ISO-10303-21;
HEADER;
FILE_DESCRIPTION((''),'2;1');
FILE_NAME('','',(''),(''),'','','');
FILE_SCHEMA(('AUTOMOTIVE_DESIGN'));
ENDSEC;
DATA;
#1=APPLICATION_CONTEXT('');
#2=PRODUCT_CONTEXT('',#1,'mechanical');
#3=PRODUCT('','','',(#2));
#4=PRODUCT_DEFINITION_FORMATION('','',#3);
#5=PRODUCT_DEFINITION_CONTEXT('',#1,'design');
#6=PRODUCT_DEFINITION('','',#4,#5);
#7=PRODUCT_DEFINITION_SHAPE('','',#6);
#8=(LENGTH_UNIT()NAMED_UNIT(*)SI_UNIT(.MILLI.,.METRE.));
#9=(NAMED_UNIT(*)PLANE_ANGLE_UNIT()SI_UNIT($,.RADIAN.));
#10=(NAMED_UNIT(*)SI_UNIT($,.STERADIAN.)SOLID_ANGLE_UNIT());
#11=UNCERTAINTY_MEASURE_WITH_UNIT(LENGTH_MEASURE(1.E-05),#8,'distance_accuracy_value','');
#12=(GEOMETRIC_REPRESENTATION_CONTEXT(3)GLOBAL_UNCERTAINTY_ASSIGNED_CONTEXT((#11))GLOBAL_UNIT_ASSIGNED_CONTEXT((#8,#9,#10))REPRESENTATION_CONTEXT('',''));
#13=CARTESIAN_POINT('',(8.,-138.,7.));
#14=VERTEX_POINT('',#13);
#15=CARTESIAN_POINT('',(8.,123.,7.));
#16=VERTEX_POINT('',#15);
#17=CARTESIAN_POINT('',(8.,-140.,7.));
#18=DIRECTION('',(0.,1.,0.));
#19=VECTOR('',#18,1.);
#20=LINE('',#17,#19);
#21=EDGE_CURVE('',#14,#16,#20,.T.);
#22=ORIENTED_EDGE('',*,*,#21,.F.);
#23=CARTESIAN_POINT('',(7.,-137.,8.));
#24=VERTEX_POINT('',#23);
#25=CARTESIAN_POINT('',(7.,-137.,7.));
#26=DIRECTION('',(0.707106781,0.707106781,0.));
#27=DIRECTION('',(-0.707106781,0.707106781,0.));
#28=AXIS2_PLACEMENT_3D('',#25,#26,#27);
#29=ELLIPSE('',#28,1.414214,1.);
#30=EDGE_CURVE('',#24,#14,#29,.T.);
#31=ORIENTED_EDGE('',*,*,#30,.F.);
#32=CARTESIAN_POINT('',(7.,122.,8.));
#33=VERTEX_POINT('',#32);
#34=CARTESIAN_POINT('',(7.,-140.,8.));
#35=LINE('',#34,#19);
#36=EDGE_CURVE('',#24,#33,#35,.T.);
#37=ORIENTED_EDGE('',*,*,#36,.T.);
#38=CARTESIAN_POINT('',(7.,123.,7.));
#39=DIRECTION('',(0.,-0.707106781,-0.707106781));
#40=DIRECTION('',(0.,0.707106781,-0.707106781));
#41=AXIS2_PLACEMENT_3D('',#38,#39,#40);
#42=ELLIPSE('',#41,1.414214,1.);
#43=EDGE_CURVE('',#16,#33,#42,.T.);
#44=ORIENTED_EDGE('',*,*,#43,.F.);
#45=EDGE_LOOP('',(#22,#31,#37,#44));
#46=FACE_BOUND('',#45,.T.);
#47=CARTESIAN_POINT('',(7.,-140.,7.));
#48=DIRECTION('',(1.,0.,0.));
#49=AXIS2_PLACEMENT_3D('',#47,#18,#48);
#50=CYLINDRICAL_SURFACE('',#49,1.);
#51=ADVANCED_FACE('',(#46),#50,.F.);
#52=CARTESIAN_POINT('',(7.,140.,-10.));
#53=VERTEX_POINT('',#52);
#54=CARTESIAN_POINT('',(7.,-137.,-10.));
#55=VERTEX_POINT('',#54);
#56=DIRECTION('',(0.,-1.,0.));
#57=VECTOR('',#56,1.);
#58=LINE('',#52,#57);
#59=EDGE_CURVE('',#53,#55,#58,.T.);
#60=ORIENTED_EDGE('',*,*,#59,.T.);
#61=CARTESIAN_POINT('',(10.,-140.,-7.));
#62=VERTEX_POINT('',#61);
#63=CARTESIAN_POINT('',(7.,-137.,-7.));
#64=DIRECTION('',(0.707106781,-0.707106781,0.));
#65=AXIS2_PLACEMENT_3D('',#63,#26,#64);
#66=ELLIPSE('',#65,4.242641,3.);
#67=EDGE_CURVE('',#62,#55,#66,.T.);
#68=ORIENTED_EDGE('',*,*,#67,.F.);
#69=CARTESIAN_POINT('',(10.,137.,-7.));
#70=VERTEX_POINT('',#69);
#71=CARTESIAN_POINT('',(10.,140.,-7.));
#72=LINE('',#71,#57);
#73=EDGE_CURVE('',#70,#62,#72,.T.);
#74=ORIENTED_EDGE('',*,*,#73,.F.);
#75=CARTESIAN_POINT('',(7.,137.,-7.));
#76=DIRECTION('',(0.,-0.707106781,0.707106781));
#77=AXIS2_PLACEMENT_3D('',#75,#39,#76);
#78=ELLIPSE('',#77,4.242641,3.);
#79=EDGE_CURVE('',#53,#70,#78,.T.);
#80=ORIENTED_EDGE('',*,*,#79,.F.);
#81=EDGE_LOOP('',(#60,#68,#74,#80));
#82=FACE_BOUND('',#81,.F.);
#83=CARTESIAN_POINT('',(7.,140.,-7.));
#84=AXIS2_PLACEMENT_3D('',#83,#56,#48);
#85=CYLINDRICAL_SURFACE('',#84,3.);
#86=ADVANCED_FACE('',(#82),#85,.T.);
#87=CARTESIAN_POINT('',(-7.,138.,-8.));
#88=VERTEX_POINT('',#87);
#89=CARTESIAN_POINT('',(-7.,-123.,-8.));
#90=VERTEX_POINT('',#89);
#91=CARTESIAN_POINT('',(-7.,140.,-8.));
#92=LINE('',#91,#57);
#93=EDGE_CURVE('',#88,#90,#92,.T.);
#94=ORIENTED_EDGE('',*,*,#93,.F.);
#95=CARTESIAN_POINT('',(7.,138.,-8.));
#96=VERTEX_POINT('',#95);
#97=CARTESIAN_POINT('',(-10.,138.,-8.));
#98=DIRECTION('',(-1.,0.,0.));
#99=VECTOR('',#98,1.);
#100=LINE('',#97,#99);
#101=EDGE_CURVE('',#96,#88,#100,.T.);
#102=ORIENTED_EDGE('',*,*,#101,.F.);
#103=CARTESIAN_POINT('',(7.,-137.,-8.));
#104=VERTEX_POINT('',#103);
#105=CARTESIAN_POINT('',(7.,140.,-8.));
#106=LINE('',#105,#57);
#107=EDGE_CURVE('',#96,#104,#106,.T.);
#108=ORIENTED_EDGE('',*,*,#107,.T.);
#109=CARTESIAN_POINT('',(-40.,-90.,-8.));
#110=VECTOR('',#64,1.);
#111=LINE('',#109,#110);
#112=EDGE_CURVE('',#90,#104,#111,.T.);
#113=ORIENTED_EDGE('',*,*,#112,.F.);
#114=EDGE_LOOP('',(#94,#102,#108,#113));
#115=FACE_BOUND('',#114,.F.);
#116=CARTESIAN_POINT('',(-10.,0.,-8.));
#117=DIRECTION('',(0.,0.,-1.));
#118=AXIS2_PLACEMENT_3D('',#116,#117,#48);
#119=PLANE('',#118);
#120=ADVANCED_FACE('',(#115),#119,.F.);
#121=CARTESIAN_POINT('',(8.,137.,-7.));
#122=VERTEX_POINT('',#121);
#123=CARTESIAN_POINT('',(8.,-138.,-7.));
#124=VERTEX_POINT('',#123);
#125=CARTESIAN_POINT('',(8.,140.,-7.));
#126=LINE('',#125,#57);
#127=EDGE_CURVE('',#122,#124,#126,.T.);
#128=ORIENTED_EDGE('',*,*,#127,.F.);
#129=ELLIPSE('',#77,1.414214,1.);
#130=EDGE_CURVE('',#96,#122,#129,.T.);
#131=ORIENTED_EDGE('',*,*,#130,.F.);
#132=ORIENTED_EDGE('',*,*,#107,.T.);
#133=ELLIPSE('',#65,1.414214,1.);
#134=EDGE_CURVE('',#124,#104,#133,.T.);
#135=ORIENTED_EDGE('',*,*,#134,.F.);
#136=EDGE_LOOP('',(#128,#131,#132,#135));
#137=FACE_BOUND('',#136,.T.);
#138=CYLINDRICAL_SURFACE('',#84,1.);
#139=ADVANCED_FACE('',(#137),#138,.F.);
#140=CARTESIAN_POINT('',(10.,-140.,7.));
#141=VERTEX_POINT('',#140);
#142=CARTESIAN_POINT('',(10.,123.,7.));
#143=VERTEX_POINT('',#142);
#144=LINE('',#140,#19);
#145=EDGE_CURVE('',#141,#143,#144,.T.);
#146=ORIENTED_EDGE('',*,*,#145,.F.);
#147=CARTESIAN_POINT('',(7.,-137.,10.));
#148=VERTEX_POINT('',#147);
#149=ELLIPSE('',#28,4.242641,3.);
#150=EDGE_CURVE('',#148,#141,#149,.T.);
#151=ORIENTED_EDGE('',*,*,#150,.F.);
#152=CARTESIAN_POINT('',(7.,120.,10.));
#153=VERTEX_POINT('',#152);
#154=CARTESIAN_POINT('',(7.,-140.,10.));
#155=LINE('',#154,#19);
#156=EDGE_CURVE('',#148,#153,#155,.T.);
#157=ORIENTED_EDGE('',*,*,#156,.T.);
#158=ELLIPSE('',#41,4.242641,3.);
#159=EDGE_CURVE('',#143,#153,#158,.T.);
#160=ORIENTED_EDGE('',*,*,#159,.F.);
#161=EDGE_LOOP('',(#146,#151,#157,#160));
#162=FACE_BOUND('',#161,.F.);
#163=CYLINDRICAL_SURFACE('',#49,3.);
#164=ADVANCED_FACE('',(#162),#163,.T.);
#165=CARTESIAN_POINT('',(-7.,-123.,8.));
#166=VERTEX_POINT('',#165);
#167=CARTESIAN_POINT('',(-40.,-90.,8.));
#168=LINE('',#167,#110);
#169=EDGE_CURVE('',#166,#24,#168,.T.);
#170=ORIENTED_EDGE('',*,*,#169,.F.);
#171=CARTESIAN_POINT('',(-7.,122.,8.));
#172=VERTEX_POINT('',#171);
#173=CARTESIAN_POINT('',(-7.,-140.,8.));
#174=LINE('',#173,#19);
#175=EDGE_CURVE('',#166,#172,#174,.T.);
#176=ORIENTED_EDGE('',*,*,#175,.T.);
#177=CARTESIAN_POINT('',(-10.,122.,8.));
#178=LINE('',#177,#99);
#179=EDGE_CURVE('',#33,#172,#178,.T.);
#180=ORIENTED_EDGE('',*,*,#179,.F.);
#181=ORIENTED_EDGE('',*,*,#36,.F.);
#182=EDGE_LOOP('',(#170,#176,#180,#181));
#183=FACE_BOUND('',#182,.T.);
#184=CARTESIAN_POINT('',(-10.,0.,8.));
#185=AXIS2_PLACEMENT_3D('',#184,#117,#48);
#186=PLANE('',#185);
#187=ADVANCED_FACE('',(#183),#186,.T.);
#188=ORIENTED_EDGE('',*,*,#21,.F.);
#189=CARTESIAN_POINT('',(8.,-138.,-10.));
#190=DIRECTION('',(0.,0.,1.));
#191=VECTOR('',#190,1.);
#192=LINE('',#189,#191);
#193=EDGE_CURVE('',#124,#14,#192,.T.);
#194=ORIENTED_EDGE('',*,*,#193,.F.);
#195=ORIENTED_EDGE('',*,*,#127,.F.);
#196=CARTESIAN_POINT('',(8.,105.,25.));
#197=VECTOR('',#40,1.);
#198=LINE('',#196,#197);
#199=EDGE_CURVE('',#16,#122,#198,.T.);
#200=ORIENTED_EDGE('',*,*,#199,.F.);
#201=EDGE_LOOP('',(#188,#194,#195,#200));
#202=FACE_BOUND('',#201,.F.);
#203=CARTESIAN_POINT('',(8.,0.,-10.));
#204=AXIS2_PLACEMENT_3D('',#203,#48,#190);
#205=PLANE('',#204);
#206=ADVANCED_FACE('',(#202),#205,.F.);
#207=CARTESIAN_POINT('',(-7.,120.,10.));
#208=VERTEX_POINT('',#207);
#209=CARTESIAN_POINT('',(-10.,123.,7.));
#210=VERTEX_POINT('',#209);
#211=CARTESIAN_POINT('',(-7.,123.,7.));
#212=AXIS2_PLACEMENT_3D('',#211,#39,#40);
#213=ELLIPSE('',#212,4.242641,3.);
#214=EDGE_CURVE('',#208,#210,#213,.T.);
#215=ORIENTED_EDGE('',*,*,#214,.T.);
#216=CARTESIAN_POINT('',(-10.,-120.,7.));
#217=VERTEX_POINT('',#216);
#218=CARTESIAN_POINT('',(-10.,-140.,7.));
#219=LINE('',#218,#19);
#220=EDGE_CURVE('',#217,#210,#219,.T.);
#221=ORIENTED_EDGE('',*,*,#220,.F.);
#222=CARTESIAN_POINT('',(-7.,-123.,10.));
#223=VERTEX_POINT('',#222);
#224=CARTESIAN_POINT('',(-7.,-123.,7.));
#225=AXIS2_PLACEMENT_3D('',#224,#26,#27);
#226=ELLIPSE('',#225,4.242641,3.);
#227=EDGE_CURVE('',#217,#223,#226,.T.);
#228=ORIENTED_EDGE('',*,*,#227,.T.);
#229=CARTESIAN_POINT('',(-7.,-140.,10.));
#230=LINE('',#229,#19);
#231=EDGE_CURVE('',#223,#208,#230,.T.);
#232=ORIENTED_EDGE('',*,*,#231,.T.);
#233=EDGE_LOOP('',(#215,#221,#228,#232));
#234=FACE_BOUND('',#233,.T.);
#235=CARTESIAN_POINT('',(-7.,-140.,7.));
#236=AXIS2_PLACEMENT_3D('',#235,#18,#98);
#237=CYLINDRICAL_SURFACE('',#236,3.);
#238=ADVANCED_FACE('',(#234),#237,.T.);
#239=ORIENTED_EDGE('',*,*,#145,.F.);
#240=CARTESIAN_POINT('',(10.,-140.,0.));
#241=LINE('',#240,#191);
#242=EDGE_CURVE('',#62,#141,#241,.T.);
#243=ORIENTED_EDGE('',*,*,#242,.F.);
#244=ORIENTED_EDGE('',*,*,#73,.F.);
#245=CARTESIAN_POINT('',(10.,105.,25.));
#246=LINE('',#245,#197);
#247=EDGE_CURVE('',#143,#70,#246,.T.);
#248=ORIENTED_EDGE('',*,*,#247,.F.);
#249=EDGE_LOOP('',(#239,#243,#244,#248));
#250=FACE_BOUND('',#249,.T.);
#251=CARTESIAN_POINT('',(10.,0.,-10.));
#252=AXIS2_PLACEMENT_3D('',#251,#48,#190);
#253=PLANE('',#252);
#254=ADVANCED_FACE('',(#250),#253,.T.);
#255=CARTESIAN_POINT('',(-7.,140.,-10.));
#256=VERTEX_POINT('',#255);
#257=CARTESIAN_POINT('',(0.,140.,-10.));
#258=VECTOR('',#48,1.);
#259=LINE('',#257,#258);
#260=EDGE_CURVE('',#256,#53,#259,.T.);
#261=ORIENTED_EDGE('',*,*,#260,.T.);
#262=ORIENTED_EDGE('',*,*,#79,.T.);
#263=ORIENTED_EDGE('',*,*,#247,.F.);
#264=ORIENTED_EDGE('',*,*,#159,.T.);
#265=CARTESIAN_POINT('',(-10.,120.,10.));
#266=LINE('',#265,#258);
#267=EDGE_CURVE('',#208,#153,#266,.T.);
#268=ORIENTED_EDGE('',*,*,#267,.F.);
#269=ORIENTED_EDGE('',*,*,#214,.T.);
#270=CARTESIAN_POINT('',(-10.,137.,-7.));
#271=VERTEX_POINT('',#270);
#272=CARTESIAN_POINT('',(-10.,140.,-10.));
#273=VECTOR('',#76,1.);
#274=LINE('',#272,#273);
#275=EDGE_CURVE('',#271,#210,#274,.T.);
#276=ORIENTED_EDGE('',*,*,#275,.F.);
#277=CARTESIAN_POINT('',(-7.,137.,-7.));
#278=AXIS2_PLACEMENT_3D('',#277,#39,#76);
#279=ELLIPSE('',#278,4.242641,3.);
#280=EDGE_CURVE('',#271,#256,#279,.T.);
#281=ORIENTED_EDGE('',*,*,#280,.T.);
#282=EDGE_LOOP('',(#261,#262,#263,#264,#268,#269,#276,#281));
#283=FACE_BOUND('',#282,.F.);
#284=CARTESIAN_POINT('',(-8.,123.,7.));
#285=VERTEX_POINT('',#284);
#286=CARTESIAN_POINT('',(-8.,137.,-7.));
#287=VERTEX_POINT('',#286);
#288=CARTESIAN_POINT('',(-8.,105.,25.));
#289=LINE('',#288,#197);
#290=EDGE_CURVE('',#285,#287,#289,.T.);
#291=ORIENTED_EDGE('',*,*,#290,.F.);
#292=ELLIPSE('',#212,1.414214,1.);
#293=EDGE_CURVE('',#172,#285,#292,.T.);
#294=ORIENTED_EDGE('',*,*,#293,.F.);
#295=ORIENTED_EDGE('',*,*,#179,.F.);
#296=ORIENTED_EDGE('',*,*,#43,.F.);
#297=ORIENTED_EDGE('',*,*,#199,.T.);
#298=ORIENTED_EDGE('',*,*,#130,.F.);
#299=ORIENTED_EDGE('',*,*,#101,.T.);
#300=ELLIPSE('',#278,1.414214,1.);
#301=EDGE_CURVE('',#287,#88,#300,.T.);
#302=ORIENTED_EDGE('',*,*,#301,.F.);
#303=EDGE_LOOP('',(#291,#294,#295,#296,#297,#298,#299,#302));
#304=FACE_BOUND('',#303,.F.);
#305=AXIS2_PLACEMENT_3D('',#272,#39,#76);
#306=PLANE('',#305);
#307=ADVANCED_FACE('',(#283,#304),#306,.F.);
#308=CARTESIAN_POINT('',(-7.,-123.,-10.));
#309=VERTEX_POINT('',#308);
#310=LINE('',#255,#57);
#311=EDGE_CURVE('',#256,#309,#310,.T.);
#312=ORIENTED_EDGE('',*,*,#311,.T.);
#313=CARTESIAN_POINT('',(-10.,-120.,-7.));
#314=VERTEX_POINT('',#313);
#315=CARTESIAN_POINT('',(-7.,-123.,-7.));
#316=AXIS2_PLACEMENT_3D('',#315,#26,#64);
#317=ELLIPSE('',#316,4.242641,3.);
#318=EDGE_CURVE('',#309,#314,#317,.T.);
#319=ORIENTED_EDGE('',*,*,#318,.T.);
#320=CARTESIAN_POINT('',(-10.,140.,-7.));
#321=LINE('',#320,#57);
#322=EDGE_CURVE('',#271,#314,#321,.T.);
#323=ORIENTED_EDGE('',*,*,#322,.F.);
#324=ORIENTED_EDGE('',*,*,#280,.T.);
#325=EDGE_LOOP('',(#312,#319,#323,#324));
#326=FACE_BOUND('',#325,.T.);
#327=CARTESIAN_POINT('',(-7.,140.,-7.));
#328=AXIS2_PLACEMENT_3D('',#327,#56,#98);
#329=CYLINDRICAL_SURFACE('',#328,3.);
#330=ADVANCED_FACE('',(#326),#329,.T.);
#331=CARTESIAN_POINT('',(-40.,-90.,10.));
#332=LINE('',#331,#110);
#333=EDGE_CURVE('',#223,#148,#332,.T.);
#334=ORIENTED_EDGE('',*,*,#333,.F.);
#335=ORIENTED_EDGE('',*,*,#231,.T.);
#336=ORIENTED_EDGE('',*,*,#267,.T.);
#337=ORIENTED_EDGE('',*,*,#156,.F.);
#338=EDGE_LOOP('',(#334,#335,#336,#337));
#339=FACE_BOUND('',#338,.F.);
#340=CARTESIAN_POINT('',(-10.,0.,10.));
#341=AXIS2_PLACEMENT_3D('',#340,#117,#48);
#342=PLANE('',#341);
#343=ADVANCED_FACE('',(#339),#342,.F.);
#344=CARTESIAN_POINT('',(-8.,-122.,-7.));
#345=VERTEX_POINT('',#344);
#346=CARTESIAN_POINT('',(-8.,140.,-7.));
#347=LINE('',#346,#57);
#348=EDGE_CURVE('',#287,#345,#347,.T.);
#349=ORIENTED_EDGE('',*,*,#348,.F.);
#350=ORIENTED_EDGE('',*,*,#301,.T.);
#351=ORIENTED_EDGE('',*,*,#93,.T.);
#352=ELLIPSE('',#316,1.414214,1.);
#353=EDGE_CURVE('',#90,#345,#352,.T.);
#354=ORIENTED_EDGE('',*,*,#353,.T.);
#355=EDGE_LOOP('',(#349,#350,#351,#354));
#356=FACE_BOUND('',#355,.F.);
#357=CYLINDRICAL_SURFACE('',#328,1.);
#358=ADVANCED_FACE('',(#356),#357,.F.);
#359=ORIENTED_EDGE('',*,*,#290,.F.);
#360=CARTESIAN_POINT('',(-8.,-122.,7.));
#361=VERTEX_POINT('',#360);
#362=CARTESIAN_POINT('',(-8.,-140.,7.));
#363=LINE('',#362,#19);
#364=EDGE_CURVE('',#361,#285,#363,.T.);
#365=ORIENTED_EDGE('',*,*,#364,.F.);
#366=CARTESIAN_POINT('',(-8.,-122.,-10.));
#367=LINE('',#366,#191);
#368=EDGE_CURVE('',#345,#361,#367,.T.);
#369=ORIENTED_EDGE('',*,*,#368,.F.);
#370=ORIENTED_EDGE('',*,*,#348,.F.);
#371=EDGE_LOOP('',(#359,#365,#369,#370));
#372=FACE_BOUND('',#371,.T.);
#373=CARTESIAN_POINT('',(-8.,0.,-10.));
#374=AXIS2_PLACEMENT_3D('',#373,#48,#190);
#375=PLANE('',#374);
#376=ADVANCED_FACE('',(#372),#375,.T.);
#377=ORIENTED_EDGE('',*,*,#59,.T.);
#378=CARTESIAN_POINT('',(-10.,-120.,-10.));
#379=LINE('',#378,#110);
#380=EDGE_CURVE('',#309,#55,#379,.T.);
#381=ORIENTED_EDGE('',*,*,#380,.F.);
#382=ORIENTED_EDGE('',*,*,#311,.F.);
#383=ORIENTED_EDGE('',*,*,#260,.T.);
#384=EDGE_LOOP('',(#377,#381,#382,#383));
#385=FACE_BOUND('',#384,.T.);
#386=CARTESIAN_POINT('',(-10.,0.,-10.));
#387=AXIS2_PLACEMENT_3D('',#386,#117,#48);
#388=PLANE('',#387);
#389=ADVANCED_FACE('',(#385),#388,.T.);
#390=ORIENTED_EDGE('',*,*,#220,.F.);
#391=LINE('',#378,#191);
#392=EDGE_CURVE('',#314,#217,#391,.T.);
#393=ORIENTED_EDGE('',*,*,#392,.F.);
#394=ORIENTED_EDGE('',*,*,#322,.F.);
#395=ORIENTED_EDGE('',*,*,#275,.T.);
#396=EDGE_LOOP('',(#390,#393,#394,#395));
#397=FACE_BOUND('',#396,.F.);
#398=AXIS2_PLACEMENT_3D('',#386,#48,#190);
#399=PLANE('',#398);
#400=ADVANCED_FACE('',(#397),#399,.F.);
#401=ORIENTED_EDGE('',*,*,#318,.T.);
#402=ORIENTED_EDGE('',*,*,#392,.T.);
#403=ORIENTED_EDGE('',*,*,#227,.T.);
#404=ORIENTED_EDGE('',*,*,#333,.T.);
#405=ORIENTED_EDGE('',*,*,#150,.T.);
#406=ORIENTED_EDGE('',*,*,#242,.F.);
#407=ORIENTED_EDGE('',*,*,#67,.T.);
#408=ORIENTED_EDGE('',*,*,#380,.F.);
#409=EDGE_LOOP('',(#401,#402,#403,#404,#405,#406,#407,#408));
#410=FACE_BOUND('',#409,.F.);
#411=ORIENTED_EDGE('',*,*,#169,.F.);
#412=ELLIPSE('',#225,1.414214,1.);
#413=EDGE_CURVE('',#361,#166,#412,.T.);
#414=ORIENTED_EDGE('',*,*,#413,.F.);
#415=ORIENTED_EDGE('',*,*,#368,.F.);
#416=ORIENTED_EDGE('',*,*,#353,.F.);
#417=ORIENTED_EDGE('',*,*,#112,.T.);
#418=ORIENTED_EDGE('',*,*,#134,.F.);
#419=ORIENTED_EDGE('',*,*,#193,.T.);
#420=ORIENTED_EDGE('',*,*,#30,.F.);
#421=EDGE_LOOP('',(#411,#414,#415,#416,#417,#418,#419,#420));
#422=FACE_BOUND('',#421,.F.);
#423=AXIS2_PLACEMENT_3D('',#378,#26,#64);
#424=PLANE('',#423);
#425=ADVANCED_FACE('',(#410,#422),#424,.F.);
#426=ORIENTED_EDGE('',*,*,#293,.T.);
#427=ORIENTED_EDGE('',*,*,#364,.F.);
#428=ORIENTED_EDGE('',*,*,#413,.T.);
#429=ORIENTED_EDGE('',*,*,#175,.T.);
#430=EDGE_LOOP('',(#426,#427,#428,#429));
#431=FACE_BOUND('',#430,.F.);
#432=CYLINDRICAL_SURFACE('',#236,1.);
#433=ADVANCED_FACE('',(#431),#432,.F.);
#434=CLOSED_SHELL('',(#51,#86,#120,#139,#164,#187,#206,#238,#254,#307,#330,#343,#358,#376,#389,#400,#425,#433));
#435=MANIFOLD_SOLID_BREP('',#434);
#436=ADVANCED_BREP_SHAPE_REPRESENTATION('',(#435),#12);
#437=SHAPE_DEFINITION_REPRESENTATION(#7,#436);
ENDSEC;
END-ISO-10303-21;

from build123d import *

# Parameters (mm, degrees)
F2_W     = 20
F2_H     = 20
F3_DEPTH = 140
F4_R     = 3
F5_T     = -2
F7_DEPTH = 20.001
F9_DEPTH = 25


with BuildPart() as f3:
    # F2 (on Front) → F3 (new body, symmetric)
    with BuildSketch(Plane.XZ):
        Rectangle(F2_W, F2_H)
    extrude(amount=F3_DEPTH, both=True)

    # F4
    f4_edges = [f3.edges().sort_by_distance(p)[0] for p in [
        (10, 0, 10),
        (-10, 0, 10),
        (10, 0, -10),
        (-10, 0, -10),
    ]]
    fillet(f4_edges, radius=F4_R)

    # F5
    f5_openings = [f3.faces().sort_by_distance(p)[0] for p in [
        (0, -140, 0),
        (0, 140, 0),
    ]]
    offset(amount=F5_T, openings=f5_openings)

    # F6 (on face) → F7 (cut, through all)
    with BuildSketch(Plane(origin=(-10, 0, 0), x_dir=(0, -1, 0), z_dir=(-1, 0, 0))):
        Polygon((-120, 10), (-140, 10), (-140, -10), align=None)
    extrude(amount=-F7_DEPTH, mode=Mode.SUBTRACT)

    # F8 (on face) → F9 (cut)
    with BuildSketch(Plane(origin=(0, 0, -10), x_dir=(1, 0, 0), z_dir=(0, 0, -1))):
        Polygon((10, 140), (-10, 140), (-10, 120), align=None)
    extrude(amount=-F9_DEPTH, mode=Mode.SUBTRACT)


solid = f3.part
